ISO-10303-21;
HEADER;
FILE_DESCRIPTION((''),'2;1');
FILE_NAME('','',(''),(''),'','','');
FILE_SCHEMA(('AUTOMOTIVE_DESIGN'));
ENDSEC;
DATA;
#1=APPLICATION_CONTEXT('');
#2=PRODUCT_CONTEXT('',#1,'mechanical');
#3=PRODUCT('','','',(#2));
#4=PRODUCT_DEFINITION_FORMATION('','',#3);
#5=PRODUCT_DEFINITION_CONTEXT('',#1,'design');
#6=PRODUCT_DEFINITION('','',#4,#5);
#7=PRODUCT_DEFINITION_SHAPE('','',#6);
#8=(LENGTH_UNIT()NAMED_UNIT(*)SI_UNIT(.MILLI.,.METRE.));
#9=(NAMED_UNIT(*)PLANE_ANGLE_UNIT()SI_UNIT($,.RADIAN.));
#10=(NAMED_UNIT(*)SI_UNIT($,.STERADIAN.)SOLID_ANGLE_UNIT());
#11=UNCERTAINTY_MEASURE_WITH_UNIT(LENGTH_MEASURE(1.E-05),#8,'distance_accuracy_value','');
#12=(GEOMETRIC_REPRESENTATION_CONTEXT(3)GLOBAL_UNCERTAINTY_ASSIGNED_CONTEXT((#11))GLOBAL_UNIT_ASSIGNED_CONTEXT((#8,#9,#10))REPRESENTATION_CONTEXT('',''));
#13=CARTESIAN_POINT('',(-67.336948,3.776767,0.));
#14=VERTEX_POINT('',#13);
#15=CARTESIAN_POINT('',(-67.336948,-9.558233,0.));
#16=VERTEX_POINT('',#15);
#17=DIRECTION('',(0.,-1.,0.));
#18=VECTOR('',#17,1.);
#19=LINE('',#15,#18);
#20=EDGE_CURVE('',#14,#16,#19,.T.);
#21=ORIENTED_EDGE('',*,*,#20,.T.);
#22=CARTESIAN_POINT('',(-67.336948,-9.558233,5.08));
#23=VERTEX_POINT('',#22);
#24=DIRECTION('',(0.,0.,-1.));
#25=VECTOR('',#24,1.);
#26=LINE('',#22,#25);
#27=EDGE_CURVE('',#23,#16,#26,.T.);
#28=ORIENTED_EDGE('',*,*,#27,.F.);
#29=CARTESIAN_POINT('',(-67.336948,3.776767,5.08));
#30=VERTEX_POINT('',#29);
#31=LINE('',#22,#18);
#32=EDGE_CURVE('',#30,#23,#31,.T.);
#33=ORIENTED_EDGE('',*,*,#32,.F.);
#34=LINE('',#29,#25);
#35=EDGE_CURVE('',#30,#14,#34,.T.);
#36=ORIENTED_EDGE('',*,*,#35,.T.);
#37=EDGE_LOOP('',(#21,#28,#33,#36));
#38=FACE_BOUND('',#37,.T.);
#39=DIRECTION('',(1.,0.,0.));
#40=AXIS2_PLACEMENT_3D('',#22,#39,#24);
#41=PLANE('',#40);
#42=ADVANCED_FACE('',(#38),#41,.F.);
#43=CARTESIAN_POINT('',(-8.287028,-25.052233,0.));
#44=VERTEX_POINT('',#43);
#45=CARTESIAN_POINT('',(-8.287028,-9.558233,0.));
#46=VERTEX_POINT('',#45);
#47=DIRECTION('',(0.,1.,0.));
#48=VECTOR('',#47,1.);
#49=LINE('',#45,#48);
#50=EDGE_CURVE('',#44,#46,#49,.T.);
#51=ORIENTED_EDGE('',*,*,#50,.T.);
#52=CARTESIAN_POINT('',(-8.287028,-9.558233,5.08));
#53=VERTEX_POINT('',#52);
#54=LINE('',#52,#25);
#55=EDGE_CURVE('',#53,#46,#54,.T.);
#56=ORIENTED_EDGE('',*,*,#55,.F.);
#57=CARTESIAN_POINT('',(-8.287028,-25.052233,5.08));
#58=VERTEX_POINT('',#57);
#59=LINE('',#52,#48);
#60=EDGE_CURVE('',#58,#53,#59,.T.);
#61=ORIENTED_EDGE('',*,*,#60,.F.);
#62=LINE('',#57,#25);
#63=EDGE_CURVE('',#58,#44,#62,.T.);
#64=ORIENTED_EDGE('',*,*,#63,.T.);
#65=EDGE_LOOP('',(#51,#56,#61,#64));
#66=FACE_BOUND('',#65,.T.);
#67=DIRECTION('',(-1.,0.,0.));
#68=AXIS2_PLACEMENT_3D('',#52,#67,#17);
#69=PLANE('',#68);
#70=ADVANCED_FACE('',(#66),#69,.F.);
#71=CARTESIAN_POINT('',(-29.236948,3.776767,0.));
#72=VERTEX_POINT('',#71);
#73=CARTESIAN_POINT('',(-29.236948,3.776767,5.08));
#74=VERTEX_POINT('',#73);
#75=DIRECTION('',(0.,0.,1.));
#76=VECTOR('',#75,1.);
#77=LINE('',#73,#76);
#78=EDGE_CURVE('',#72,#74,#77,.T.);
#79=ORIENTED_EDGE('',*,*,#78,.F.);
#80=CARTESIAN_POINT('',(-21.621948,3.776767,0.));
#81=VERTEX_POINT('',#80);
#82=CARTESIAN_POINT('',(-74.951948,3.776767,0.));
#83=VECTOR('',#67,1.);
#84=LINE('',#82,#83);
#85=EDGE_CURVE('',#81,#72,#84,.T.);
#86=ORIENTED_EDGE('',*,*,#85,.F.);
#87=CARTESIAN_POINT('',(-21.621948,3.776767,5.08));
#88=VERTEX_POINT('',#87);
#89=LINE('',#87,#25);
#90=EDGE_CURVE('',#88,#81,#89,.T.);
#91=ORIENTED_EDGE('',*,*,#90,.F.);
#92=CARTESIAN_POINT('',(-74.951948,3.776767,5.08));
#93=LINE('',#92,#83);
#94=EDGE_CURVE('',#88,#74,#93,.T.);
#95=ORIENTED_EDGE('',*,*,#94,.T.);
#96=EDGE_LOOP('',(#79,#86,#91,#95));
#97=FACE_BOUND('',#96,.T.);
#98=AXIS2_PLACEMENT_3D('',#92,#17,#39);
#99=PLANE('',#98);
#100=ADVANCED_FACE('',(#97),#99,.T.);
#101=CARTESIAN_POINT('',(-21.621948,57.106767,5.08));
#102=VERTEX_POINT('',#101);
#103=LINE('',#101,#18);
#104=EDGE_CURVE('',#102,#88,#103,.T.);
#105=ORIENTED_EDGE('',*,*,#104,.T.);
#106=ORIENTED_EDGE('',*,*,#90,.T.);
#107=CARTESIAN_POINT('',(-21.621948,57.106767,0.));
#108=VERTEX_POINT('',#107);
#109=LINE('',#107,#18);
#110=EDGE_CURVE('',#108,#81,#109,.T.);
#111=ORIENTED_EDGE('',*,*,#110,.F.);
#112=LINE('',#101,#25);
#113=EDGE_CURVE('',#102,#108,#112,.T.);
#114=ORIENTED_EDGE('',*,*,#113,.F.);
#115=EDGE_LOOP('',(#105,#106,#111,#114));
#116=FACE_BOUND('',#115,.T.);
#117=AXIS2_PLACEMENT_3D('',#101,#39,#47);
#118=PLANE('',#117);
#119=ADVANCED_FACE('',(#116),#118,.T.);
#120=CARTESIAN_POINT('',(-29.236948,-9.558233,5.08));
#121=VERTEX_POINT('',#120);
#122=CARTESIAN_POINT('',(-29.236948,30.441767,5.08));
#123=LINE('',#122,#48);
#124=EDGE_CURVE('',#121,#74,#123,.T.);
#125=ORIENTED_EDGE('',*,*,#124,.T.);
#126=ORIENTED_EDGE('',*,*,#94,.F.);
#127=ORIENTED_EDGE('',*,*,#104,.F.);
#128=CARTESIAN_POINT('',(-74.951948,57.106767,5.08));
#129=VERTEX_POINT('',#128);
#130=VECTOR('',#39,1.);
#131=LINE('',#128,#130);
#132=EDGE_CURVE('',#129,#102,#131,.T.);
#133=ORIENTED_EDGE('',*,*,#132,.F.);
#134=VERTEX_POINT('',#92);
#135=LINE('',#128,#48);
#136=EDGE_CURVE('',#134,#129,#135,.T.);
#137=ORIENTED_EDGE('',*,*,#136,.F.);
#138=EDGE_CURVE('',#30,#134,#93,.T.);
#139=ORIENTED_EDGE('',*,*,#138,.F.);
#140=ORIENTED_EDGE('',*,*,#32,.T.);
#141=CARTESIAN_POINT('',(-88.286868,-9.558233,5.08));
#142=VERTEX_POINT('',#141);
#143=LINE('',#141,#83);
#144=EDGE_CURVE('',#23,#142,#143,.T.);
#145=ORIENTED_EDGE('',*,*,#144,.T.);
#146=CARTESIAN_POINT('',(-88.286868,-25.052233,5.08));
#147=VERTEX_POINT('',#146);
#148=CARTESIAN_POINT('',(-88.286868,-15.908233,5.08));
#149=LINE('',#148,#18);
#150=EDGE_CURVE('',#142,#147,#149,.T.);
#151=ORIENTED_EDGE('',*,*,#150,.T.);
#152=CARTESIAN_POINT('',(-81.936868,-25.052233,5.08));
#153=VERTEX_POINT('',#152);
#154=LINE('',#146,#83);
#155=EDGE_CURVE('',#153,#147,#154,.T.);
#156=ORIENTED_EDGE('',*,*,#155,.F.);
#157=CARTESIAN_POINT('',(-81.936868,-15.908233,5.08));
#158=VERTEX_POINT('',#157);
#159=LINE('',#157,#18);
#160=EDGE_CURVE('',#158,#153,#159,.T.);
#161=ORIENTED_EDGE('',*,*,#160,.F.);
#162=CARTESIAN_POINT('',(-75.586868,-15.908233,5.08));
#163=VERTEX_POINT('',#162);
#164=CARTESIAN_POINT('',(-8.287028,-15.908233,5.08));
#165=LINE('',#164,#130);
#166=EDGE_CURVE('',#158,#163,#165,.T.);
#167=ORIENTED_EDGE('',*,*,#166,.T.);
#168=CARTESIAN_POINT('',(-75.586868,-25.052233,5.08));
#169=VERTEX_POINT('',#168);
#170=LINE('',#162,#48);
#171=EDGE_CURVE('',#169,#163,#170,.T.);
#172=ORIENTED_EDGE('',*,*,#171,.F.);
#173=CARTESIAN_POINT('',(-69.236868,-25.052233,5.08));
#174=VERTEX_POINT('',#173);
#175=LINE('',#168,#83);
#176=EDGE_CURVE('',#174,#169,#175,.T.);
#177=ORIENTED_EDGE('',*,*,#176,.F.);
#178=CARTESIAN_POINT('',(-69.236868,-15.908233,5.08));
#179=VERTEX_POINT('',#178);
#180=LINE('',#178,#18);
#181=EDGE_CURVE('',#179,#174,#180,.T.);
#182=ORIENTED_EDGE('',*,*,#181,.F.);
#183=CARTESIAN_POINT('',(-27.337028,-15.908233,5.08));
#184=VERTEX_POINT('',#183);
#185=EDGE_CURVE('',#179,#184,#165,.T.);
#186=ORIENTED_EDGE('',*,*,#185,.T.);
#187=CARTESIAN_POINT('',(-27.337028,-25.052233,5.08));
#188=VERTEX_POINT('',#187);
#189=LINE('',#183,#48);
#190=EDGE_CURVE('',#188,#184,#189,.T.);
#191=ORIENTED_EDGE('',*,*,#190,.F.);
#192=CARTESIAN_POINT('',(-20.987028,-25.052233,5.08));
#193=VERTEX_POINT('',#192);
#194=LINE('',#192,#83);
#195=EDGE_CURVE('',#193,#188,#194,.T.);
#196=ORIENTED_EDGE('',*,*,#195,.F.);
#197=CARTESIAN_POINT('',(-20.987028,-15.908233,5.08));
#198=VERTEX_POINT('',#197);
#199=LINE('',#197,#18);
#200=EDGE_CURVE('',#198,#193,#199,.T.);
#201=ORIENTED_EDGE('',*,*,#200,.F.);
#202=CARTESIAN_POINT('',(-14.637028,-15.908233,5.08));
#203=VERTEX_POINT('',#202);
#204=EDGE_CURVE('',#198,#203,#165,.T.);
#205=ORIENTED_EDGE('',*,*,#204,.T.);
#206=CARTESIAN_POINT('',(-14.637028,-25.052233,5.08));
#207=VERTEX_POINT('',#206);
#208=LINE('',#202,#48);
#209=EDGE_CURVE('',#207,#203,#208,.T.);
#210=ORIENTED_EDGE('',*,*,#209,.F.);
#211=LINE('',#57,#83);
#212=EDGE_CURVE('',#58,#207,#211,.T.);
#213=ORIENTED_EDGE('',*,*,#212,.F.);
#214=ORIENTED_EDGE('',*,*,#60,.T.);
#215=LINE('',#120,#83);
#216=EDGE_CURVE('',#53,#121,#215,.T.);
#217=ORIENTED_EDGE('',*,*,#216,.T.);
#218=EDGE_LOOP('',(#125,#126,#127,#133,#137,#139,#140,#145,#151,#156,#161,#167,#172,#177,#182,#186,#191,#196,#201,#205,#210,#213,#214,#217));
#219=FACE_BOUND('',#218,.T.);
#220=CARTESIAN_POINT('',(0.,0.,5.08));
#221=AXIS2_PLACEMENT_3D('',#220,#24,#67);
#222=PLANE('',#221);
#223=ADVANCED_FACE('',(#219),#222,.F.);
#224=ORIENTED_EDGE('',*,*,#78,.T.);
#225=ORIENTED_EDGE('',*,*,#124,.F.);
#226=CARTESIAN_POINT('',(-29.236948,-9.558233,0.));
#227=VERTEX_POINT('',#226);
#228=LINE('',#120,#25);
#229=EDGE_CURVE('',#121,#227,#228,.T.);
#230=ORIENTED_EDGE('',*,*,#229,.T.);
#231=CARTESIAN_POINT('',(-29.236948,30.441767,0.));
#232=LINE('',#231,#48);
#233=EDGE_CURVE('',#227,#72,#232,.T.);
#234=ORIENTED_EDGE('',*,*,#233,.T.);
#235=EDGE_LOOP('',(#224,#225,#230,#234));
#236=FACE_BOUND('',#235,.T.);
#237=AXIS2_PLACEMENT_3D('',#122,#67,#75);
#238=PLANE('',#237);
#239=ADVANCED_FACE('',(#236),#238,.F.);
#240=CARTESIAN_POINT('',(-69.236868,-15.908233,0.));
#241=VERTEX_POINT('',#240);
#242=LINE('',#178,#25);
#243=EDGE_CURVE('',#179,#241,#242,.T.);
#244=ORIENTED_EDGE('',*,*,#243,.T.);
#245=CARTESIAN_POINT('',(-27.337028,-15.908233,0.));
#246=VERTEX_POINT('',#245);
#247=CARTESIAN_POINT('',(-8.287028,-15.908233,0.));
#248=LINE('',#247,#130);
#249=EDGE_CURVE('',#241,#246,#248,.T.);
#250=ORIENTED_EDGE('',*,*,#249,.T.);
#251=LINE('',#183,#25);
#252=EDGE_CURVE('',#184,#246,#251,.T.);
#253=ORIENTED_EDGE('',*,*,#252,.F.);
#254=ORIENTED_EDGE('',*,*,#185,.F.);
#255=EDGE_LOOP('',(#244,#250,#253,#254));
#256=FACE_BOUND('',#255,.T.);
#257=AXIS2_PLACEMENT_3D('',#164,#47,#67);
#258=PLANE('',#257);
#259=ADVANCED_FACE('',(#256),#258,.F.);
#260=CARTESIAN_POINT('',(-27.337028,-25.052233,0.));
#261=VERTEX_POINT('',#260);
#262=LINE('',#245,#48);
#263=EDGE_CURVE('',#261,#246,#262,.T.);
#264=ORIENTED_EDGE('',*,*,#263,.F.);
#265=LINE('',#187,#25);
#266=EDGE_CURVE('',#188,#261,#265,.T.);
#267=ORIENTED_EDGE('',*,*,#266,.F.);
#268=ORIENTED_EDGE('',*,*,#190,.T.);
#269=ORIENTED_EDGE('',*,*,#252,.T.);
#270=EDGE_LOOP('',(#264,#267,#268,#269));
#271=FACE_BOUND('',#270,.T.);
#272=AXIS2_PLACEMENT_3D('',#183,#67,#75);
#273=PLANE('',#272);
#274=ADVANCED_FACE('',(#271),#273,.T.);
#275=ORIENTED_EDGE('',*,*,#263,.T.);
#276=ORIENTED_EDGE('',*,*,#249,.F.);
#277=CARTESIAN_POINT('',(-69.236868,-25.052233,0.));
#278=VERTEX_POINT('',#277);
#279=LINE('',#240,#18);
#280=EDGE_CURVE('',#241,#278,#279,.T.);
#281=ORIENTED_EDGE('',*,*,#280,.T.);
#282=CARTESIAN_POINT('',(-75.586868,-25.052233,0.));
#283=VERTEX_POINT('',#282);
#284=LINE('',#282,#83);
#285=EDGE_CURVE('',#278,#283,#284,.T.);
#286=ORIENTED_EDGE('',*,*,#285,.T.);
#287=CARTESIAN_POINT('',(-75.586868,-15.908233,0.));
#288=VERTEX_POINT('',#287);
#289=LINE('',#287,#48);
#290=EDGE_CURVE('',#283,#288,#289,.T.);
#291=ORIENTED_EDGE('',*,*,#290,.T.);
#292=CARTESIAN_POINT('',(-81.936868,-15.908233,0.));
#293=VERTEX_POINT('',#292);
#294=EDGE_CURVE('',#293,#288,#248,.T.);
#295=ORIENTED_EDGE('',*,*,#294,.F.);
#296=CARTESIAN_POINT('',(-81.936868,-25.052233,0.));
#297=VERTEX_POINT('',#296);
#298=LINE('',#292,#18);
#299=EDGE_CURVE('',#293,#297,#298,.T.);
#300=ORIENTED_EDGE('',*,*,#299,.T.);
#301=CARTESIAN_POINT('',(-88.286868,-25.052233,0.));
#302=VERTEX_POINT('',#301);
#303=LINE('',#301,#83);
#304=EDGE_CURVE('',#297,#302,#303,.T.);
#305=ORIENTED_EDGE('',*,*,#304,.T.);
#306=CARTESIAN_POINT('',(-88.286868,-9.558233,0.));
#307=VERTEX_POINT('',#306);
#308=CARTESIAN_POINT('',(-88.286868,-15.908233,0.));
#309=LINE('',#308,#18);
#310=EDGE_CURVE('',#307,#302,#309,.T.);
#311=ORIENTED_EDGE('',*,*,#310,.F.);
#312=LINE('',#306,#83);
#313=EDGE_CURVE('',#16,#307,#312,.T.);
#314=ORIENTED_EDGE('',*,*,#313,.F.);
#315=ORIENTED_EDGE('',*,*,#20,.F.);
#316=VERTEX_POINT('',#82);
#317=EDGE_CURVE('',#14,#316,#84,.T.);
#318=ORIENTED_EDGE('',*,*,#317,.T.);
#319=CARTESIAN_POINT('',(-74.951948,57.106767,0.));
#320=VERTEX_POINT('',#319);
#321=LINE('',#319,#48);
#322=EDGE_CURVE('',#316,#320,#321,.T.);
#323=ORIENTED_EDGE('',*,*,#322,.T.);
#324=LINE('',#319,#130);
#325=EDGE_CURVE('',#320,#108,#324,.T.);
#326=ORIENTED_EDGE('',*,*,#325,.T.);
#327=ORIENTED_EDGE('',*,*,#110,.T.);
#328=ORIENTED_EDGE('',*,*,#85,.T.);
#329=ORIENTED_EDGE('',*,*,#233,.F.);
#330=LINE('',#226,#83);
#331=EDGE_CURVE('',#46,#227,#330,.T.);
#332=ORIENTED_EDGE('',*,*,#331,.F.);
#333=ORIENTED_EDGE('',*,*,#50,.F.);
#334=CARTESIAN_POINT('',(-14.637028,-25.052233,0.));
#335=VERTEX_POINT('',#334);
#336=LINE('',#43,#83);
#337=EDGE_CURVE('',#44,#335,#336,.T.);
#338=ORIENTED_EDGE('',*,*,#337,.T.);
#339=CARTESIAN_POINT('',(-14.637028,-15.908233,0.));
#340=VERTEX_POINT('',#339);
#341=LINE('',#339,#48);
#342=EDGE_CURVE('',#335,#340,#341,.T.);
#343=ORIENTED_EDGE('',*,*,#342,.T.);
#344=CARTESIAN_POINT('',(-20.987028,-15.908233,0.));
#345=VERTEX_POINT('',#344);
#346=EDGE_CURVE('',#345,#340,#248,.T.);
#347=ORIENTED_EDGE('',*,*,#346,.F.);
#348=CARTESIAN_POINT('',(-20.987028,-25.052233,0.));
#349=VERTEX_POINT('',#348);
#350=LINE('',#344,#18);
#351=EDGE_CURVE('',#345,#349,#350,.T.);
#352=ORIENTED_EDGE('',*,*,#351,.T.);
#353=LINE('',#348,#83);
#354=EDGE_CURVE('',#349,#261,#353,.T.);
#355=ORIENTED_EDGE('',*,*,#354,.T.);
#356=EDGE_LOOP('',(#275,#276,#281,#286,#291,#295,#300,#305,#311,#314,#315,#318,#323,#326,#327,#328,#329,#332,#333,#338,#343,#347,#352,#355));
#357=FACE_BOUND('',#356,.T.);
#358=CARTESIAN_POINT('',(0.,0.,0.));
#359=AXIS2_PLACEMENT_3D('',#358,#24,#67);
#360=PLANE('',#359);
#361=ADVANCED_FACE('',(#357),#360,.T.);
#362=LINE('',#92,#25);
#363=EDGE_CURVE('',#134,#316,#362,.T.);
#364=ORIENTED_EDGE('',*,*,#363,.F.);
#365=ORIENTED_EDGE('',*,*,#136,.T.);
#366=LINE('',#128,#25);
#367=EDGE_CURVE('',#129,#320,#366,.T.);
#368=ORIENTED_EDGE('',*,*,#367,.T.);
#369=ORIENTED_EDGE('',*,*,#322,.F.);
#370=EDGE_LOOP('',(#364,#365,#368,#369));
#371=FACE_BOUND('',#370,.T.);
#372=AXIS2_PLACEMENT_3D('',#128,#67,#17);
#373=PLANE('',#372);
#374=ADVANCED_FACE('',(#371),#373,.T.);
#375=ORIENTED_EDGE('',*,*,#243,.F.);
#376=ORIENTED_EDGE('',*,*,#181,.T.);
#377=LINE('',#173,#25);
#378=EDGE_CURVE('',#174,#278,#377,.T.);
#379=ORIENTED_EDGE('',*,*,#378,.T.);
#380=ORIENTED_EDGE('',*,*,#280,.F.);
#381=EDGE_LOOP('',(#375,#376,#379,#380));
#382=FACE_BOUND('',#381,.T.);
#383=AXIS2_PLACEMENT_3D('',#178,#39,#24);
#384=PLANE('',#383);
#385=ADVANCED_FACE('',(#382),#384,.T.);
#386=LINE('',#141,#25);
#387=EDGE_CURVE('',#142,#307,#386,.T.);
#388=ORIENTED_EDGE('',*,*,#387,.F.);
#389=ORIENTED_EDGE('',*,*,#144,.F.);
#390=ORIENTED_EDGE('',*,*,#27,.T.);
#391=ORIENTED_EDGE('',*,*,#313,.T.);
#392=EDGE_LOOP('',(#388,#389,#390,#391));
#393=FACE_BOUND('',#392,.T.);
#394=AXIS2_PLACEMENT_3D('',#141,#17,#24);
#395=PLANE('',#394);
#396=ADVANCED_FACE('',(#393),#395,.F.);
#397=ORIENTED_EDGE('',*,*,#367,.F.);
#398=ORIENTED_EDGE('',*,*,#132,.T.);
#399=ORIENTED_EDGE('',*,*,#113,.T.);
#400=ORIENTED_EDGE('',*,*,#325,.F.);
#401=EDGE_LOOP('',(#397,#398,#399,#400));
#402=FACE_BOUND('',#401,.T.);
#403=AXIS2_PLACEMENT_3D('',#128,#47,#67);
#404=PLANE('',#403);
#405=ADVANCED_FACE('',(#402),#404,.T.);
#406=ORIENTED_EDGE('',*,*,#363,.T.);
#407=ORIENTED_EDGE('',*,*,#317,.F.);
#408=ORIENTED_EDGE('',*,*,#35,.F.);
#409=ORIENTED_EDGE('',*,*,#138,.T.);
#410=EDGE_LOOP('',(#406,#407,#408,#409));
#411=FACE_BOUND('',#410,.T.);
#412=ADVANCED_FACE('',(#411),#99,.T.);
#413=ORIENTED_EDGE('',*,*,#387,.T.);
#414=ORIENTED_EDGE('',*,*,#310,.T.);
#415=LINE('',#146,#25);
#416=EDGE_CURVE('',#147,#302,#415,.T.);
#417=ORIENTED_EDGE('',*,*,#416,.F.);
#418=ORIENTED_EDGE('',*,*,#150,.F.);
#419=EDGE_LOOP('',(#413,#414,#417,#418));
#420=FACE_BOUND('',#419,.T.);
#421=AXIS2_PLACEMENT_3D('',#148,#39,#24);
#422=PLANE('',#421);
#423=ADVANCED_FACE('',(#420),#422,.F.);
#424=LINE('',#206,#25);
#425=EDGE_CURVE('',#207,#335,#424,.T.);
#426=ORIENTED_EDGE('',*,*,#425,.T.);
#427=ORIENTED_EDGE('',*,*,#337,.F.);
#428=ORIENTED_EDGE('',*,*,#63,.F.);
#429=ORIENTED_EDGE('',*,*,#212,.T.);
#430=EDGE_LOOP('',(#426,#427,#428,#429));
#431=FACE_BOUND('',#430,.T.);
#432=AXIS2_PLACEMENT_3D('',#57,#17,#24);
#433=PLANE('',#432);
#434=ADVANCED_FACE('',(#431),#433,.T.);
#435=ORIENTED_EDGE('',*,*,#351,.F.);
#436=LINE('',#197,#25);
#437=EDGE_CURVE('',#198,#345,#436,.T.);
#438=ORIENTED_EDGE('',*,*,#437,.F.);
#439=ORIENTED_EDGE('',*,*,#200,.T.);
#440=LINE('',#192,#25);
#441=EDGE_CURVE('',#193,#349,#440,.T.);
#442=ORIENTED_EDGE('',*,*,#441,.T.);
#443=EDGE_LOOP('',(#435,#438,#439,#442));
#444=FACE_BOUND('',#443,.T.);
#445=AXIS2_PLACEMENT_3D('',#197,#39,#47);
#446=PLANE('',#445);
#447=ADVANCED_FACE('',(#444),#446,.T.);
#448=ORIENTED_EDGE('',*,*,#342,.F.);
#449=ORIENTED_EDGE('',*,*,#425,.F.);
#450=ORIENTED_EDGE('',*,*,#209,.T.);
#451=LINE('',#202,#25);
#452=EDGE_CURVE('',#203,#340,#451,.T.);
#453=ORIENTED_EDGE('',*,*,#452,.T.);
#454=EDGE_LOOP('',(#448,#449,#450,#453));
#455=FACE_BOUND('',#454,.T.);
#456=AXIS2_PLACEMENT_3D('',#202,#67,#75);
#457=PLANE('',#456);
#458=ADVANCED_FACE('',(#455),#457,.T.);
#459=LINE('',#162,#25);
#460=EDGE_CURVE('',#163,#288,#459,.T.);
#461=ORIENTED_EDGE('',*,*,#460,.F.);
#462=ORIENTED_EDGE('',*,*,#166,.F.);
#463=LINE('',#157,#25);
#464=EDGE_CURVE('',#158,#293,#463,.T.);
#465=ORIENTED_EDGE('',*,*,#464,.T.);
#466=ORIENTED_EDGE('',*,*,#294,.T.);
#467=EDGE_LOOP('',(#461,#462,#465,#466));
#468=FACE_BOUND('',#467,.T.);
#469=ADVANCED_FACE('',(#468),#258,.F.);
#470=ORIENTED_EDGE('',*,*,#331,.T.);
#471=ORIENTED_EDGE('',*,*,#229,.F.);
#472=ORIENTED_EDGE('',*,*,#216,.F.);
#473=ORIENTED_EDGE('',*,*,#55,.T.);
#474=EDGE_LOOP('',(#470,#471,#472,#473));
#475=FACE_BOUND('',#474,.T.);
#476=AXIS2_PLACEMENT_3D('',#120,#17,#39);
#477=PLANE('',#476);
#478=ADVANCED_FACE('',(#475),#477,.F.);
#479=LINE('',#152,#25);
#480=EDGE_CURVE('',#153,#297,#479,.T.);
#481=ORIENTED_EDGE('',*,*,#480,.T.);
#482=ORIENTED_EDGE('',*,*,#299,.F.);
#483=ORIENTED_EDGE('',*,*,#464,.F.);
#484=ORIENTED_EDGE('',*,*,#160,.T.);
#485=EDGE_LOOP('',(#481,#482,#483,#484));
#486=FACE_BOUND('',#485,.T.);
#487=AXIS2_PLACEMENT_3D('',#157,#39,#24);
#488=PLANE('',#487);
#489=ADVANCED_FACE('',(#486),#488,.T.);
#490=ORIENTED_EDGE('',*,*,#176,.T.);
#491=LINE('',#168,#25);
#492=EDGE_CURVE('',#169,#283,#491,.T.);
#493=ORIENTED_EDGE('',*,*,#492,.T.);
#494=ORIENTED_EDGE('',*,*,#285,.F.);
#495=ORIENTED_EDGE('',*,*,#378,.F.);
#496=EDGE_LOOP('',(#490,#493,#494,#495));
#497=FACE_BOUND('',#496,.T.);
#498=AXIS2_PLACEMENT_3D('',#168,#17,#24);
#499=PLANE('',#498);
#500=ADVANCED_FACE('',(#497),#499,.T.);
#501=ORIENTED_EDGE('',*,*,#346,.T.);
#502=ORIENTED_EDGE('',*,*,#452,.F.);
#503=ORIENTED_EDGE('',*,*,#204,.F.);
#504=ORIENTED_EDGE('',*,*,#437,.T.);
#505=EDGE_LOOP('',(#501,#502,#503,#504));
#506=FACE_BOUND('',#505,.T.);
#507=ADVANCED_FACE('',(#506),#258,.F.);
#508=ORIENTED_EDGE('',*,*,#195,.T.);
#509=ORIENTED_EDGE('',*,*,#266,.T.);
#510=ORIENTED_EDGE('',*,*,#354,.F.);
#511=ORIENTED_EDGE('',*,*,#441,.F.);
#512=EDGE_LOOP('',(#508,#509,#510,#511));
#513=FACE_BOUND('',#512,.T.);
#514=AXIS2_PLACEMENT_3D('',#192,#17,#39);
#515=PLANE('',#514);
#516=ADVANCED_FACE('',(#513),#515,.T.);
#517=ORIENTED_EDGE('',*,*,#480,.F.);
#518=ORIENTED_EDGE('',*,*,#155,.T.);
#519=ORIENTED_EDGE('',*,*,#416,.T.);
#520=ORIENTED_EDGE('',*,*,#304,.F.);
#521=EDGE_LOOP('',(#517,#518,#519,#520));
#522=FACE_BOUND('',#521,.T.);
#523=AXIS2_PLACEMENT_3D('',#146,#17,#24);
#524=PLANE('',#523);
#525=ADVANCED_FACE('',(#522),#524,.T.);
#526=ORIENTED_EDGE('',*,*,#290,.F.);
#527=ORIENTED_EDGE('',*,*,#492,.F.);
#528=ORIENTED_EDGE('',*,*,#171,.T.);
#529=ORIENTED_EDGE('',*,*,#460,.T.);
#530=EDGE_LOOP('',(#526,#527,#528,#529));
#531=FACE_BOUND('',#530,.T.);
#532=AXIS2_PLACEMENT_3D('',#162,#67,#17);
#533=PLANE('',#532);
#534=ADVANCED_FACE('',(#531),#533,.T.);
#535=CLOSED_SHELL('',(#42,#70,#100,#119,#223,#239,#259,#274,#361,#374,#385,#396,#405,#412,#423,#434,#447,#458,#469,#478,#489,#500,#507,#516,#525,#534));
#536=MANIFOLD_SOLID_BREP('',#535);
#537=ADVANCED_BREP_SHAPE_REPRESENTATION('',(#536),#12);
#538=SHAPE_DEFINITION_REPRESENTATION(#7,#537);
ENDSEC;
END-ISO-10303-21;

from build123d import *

# Parameters (mm, degrees)
BOSS_EXTRUDE1_DEPTH = 5.08
SKETCH2_W           = 6.35
SKETCH2_H           = 9.144
BOSS_EXTRUDE2_DEPTH = 5.08
SKETCH3_W           = 53.33
SKETCH3_H           = 53.33
MARKERBACK_DEPTH    = 5.08
SKETCH4_W           = 29.19984
SKETCH4_H           = 9.144
CUT_EXTRUDE1_DEPTH  = 5.08


with BuildPart() as part:
    # Sketch1 → Boss-Extrude1 (new body)
    with BuildSketch(Plane.XY):
        Polygon((-67.336947791, 30.441767068), (-29.236947791, 30.441767068), (-29.236947791, -9.558232932), (-8.287027791, -9.558232932), (-8.287027791, -15.908232932), (-88.286867791, -15.908232932), (-88.286867791, -9.558232932), (-67.336947791, -9.558232932), align=None)
    extrude(amount=BOSS_EXTRUDE1_DEPTH)

    # Sketch2 → Boss-Extrude2 (add)
    with BuildSketch(Plane(origin=(0, 0, 0), x_dir=(-1, 0, 0), z_dir=(0, 0, -1))):
        with Locations((85.111867791, -20.480232932)):
            Rectangle(SKETCH2_W, SKETCH2_H)
        with Locations((72.411867791, -20.480232932)):
            Rectangle(SKETCH2_W, SKETCH2_H)
        with Locations((11.462027791, -20.480232932)):
            Rectangle(SKETCH2_W, SKETCH2_H)
        with Locations((24.162027791, -20.480232932)):
            Rectangle(SKETCH2_W, SKETCH2_H)
        with Locations((59.711867791, -20.480232932)):
            Rectangle(SKETCH2_W, SKETCH2_H)
        with Locations((36.862027791, -20.480232932)):
            Rectangle(SKETCH2_W, SKETCH2_H)
    extrude(amount=-BOSS_EXTRUDE2_DEPTH)

    # Sketch3 → markerBack (add)
    with BuildSketch(Plane(origin=(0, 0, 0), x_dir=(-1, 0, 0), z_dir=(0, 0, -1))):
        with Locations((48.286947791, 30.441767068)):
            Rectangle(SKETCH3_W, SKETCH3_H)
    extrude(amount=-MARKERBACK_DEPTH)

    # Sketch4 → Cut-Extrude1 (cut)
    with BuildSketch(Plane.XY.offset(5.08)):
        with Locations((-48.286947791, -20.480232932)):
            Rectangle(SKETCH4_W, SKETCH4_H)
    extrude(amount=-CUT_EXTRUDE1_DEPTH, mode=Mode.SUBTRACT)


solid = part.part
